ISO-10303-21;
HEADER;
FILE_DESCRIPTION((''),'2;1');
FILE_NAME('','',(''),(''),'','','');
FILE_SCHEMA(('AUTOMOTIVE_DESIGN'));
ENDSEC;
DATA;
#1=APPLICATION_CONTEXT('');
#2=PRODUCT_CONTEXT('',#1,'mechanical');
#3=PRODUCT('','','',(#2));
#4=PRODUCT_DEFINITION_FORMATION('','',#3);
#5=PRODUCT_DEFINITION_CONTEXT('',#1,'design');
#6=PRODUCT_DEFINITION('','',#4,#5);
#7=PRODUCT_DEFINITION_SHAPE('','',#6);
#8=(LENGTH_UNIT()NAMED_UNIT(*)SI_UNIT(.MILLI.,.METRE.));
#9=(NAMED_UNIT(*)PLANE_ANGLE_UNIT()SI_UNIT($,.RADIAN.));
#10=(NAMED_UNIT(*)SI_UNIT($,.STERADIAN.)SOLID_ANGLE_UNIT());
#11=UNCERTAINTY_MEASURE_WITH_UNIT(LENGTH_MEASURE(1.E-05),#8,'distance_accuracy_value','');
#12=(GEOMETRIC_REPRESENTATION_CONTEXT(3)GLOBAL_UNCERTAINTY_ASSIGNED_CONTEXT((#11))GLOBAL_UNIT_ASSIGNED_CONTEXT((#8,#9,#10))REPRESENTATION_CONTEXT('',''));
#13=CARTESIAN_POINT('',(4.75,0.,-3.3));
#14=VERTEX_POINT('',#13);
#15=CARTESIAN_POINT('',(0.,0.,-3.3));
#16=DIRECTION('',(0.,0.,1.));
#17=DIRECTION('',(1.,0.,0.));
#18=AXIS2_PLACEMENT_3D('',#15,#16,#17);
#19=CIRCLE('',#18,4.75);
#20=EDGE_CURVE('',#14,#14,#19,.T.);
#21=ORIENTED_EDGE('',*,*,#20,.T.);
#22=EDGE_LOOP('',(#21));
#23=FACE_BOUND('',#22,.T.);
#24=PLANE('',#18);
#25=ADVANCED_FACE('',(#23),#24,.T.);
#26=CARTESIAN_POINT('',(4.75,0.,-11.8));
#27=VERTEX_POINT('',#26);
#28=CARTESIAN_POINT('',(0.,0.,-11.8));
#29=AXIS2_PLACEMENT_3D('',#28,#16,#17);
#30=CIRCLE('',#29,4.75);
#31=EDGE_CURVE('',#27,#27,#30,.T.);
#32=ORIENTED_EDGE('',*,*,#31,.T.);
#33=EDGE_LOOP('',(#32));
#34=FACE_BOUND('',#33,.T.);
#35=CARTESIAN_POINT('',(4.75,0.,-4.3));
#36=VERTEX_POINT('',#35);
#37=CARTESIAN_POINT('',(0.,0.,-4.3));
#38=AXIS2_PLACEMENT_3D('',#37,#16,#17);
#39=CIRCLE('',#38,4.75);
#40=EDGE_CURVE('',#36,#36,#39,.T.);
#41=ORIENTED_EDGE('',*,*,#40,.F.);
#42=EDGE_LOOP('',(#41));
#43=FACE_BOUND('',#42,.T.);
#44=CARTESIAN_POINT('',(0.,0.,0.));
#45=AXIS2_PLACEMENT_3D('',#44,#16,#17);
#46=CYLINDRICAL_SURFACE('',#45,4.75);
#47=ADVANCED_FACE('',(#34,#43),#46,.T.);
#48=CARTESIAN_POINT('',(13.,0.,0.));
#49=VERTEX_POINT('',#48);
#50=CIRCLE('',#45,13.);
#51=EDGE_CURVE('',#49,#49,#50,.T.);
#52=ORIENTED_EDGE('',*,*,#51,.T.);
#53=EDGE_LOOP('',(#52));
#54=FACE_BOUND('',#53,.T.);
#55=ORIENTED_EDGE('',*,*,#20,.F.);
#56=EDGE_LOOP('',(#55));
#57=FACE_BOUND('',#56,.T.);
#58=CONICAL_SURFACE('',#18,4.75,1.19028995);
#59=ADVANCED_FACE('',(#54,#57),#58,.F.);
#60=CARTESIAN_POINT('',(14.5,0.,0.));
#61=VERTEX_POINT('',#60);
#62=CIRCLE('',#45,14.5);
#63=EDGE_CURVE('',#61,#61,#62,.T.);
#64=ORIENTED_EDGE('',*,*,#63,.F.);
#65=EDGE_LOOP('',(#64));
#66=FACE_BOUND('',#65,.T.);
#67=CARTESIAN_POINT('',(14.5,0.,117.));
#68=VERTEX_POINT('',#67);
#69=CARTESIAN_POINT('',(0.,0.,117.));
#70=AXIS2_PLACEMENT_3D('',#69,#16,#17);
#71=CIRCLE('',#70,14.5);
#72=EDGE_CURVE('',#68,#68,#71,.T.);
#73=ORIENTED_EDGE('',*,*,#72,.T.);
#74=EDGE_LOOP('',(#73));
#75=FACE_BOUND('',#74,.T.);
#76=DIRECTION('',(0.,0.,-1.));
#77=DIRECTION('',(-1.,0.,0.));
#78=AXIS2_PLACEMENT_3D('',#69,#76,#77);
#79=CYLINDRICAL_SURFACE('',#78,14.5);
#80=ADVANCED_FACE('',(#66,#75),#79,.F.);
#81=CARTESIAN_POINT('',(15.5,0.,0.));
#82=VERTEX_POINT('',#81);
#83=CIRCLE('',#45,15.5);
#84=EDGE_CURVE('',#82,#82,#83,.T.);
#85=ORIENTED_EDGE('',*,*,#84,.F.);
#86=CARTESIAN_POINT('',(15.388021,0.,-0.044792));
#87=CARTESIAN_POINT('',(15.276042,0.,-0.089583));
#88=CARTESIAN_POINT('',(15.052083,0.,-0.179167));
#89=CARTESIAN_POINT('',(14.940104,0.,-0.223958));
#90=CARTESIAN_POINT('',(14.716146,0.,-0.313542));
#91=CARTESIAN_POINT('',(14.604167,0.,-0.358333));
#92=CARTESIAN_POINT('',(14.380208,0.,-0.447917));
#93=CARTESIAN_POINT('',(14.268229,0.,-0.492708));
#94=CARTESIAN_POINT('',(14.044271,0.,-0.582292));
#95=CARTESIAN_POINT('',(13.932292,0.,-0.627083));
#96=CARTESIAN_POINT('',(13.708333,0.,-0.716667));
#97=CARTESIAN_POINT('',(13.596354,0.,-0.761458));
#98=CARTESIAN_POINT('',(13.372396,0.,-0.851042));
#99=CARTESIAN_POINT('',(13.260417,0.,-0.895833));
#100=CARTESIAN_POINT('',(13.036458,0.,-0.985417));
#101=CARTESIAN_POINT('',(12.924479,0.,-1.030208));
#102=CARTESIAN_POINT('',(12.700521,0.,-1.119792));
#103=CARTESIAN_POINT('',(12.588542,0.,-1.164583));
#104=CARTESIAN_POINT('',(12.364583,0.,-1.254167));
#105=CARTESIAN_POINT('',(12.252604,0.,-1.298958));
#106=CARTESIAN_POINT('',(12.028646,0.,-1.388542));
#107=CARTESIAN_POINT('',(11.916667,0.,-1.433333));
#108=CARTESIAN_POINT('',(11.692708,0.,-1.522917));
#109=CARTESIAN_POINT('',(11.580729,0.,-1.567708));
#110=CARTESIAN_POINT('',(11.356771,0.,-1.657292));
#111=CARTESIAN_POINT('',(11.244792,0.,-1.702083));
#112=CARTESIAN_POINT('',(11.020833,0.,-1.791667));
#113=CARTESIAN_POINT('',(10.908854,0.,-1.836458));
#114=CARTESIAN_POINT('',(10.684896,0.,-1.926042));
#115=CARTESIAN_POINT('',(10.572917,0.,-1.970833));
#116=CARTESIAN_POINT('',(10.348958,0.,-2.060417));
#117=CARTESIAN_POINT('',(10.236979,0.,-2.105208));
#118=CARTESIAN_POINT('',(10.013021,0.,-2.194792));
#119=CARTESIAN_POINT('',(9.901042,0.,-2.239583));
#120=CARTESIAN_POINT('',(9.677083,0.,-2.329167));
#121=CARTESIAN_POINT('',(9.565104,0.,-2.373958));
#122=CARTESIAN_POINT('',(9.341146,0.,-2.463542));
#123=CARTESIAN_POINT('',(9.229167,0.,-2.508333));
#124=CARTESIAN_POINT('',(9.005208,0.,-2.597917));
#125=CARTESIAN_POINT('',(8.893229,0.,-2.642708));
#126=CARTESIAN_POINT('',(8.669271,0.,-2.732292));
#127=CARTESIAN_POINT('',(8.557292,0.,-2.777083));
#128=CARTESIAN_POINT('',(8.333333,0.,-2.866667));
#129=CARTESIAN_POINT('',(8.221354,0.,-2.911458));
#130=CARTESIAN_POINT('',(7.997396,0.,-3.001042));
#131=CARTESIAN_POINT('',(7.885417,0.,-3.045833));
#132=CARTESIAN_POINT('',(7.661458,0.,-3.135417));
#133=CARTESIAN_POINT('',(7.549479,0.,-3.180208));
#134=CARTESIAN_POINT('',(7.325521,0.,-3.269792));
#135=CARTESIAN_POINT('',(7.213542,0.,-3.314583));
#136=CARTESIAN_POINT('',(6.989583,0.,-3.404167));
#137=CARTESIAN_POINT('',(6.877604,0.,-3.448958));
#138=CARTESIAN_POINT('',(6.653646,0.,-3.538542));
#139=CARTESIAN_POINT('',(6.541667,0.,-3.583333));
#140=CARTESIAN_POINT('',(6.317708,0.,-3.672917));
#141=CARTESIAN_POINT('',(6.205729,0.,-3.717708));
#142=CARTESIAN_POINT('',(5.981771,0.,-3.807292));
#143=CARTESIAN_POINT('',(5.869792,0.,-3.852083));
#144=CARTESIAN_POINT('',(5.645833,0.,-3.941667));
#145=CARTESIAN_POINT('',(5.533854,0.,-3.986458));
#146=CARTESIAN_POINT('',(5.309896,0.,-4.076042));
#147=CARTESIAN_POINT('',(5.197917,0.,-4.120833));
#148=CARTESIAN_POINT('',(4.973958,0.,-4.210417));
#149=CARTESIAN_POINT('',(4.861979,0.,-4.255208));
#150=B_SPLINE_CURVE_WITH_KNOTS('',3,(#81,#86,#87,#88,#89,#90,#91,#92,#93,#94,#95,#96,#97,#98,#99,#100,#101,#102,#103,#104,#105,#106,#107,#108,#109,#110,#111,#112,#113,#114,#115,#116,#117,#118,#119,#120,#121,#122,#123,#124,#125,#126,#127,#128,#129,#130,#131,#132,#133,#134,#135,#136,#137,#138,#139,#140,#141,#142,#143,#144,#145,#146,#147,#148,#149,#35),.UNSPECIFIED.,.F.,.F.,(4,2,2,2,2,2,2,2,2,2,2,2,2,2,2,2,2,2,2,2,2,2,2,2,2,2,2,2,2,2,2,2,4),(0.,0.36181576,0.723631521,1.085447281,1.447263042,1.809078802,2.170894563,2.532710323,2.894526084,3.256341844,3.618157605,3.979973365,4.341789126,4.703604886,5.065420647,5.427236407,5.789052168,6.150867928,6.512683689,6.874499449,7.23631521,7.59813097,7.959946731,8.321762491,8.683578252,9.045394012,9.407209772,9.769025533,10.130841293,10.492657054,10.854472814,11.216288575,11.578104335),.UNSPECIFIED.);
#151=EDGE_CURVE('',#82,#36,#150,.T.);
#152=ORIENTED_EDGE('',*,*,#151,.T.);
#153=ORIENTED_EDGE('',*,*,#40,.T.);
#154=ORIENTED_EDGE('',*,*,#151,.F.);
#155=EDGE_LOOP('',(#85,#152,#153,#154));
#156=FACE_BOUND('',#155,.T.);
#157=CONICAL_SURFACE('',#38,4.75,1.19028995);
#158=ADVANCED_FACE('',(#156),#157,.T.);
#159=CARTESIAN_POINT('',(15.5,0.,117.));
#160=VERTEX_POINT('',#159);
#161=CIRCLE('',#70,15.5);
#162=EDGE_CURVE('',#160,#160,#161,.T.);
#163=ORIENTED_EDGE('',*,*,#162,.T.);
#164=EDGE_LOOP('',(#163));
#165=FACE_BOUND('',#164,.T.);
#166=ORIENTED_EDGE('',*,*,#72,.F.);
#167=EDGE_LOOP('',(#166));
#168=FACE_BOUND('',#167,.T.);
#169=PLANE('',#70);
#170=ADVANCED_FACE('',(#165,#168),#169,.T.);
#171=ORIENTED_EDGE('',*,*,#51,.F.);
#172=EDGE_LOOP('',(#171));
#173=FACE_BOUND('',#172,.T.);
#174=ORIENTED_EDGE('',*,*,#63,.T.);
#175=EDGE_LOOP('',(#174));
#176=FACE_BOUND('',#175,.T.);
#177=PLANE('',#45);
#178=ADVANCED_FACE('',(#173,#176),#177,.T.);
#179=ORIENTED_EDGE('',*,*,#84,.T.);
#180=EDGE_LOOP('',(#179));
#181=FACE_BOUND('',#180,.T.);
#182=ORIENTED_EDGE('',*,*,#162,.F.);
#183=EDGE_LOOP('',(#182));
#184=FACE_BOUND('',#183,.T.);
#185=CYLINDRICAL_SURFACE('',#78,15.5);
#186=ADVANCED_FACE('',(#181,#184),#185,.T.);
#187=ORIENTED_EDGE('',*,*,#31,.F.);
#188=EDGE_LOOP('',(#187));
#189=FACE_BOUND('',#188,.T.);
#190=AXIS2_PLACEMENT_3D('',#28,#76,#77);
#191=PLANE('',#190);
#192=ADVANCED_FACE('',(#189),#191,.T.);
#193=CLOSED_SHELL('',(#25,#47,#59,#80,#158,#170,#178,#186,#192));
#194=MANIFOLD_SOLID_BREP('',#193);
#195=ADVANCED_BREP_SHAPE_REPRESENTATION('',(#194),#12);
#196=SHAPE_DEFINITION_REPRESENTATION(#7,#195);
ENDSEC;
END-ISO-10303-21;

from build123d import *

# Parameters (mm, degrees)
SKETCH1_R           = 15.5
SKETCH1_R_2         = 14.5
BOSS_EXTRUDE1_DEPTH = 117


with BuildPart() as part:
    # Sketch1 → Boss-Extrude1 (new body)
    with BuildSketch(Plane.XY):
        Circle(SKETCH1_R)
        Circle(SKETCH1_R_2, mode=Mode.SUBTRACT)
    extrude(amount=BOSS_EXTRUDE1_DEPTH)

    # Sketch4 → Revolve1 (revolve)
    with BuildSketch(Plane(origin=(0, 0, 0), x_dir=(0, 0, -1), z_dir=(1, 0, 0)), mode=Mode.PRIVATE) as revolve1_sk:
        Polygon((0, -15.5), (4.3, -4.75), (11.8, -4.75), (11.8, 0), (4.3, 0), (3.3, 0), (3.3, -4.75), (0, -13), align=None)
    revolve(revolve1_sk.sketch.rotate(Axis((0, 0, 0), (0, 0, -1)), 270), axis=Axis((0, 0, 0), (0, 0, -1)))


solid = part.part
